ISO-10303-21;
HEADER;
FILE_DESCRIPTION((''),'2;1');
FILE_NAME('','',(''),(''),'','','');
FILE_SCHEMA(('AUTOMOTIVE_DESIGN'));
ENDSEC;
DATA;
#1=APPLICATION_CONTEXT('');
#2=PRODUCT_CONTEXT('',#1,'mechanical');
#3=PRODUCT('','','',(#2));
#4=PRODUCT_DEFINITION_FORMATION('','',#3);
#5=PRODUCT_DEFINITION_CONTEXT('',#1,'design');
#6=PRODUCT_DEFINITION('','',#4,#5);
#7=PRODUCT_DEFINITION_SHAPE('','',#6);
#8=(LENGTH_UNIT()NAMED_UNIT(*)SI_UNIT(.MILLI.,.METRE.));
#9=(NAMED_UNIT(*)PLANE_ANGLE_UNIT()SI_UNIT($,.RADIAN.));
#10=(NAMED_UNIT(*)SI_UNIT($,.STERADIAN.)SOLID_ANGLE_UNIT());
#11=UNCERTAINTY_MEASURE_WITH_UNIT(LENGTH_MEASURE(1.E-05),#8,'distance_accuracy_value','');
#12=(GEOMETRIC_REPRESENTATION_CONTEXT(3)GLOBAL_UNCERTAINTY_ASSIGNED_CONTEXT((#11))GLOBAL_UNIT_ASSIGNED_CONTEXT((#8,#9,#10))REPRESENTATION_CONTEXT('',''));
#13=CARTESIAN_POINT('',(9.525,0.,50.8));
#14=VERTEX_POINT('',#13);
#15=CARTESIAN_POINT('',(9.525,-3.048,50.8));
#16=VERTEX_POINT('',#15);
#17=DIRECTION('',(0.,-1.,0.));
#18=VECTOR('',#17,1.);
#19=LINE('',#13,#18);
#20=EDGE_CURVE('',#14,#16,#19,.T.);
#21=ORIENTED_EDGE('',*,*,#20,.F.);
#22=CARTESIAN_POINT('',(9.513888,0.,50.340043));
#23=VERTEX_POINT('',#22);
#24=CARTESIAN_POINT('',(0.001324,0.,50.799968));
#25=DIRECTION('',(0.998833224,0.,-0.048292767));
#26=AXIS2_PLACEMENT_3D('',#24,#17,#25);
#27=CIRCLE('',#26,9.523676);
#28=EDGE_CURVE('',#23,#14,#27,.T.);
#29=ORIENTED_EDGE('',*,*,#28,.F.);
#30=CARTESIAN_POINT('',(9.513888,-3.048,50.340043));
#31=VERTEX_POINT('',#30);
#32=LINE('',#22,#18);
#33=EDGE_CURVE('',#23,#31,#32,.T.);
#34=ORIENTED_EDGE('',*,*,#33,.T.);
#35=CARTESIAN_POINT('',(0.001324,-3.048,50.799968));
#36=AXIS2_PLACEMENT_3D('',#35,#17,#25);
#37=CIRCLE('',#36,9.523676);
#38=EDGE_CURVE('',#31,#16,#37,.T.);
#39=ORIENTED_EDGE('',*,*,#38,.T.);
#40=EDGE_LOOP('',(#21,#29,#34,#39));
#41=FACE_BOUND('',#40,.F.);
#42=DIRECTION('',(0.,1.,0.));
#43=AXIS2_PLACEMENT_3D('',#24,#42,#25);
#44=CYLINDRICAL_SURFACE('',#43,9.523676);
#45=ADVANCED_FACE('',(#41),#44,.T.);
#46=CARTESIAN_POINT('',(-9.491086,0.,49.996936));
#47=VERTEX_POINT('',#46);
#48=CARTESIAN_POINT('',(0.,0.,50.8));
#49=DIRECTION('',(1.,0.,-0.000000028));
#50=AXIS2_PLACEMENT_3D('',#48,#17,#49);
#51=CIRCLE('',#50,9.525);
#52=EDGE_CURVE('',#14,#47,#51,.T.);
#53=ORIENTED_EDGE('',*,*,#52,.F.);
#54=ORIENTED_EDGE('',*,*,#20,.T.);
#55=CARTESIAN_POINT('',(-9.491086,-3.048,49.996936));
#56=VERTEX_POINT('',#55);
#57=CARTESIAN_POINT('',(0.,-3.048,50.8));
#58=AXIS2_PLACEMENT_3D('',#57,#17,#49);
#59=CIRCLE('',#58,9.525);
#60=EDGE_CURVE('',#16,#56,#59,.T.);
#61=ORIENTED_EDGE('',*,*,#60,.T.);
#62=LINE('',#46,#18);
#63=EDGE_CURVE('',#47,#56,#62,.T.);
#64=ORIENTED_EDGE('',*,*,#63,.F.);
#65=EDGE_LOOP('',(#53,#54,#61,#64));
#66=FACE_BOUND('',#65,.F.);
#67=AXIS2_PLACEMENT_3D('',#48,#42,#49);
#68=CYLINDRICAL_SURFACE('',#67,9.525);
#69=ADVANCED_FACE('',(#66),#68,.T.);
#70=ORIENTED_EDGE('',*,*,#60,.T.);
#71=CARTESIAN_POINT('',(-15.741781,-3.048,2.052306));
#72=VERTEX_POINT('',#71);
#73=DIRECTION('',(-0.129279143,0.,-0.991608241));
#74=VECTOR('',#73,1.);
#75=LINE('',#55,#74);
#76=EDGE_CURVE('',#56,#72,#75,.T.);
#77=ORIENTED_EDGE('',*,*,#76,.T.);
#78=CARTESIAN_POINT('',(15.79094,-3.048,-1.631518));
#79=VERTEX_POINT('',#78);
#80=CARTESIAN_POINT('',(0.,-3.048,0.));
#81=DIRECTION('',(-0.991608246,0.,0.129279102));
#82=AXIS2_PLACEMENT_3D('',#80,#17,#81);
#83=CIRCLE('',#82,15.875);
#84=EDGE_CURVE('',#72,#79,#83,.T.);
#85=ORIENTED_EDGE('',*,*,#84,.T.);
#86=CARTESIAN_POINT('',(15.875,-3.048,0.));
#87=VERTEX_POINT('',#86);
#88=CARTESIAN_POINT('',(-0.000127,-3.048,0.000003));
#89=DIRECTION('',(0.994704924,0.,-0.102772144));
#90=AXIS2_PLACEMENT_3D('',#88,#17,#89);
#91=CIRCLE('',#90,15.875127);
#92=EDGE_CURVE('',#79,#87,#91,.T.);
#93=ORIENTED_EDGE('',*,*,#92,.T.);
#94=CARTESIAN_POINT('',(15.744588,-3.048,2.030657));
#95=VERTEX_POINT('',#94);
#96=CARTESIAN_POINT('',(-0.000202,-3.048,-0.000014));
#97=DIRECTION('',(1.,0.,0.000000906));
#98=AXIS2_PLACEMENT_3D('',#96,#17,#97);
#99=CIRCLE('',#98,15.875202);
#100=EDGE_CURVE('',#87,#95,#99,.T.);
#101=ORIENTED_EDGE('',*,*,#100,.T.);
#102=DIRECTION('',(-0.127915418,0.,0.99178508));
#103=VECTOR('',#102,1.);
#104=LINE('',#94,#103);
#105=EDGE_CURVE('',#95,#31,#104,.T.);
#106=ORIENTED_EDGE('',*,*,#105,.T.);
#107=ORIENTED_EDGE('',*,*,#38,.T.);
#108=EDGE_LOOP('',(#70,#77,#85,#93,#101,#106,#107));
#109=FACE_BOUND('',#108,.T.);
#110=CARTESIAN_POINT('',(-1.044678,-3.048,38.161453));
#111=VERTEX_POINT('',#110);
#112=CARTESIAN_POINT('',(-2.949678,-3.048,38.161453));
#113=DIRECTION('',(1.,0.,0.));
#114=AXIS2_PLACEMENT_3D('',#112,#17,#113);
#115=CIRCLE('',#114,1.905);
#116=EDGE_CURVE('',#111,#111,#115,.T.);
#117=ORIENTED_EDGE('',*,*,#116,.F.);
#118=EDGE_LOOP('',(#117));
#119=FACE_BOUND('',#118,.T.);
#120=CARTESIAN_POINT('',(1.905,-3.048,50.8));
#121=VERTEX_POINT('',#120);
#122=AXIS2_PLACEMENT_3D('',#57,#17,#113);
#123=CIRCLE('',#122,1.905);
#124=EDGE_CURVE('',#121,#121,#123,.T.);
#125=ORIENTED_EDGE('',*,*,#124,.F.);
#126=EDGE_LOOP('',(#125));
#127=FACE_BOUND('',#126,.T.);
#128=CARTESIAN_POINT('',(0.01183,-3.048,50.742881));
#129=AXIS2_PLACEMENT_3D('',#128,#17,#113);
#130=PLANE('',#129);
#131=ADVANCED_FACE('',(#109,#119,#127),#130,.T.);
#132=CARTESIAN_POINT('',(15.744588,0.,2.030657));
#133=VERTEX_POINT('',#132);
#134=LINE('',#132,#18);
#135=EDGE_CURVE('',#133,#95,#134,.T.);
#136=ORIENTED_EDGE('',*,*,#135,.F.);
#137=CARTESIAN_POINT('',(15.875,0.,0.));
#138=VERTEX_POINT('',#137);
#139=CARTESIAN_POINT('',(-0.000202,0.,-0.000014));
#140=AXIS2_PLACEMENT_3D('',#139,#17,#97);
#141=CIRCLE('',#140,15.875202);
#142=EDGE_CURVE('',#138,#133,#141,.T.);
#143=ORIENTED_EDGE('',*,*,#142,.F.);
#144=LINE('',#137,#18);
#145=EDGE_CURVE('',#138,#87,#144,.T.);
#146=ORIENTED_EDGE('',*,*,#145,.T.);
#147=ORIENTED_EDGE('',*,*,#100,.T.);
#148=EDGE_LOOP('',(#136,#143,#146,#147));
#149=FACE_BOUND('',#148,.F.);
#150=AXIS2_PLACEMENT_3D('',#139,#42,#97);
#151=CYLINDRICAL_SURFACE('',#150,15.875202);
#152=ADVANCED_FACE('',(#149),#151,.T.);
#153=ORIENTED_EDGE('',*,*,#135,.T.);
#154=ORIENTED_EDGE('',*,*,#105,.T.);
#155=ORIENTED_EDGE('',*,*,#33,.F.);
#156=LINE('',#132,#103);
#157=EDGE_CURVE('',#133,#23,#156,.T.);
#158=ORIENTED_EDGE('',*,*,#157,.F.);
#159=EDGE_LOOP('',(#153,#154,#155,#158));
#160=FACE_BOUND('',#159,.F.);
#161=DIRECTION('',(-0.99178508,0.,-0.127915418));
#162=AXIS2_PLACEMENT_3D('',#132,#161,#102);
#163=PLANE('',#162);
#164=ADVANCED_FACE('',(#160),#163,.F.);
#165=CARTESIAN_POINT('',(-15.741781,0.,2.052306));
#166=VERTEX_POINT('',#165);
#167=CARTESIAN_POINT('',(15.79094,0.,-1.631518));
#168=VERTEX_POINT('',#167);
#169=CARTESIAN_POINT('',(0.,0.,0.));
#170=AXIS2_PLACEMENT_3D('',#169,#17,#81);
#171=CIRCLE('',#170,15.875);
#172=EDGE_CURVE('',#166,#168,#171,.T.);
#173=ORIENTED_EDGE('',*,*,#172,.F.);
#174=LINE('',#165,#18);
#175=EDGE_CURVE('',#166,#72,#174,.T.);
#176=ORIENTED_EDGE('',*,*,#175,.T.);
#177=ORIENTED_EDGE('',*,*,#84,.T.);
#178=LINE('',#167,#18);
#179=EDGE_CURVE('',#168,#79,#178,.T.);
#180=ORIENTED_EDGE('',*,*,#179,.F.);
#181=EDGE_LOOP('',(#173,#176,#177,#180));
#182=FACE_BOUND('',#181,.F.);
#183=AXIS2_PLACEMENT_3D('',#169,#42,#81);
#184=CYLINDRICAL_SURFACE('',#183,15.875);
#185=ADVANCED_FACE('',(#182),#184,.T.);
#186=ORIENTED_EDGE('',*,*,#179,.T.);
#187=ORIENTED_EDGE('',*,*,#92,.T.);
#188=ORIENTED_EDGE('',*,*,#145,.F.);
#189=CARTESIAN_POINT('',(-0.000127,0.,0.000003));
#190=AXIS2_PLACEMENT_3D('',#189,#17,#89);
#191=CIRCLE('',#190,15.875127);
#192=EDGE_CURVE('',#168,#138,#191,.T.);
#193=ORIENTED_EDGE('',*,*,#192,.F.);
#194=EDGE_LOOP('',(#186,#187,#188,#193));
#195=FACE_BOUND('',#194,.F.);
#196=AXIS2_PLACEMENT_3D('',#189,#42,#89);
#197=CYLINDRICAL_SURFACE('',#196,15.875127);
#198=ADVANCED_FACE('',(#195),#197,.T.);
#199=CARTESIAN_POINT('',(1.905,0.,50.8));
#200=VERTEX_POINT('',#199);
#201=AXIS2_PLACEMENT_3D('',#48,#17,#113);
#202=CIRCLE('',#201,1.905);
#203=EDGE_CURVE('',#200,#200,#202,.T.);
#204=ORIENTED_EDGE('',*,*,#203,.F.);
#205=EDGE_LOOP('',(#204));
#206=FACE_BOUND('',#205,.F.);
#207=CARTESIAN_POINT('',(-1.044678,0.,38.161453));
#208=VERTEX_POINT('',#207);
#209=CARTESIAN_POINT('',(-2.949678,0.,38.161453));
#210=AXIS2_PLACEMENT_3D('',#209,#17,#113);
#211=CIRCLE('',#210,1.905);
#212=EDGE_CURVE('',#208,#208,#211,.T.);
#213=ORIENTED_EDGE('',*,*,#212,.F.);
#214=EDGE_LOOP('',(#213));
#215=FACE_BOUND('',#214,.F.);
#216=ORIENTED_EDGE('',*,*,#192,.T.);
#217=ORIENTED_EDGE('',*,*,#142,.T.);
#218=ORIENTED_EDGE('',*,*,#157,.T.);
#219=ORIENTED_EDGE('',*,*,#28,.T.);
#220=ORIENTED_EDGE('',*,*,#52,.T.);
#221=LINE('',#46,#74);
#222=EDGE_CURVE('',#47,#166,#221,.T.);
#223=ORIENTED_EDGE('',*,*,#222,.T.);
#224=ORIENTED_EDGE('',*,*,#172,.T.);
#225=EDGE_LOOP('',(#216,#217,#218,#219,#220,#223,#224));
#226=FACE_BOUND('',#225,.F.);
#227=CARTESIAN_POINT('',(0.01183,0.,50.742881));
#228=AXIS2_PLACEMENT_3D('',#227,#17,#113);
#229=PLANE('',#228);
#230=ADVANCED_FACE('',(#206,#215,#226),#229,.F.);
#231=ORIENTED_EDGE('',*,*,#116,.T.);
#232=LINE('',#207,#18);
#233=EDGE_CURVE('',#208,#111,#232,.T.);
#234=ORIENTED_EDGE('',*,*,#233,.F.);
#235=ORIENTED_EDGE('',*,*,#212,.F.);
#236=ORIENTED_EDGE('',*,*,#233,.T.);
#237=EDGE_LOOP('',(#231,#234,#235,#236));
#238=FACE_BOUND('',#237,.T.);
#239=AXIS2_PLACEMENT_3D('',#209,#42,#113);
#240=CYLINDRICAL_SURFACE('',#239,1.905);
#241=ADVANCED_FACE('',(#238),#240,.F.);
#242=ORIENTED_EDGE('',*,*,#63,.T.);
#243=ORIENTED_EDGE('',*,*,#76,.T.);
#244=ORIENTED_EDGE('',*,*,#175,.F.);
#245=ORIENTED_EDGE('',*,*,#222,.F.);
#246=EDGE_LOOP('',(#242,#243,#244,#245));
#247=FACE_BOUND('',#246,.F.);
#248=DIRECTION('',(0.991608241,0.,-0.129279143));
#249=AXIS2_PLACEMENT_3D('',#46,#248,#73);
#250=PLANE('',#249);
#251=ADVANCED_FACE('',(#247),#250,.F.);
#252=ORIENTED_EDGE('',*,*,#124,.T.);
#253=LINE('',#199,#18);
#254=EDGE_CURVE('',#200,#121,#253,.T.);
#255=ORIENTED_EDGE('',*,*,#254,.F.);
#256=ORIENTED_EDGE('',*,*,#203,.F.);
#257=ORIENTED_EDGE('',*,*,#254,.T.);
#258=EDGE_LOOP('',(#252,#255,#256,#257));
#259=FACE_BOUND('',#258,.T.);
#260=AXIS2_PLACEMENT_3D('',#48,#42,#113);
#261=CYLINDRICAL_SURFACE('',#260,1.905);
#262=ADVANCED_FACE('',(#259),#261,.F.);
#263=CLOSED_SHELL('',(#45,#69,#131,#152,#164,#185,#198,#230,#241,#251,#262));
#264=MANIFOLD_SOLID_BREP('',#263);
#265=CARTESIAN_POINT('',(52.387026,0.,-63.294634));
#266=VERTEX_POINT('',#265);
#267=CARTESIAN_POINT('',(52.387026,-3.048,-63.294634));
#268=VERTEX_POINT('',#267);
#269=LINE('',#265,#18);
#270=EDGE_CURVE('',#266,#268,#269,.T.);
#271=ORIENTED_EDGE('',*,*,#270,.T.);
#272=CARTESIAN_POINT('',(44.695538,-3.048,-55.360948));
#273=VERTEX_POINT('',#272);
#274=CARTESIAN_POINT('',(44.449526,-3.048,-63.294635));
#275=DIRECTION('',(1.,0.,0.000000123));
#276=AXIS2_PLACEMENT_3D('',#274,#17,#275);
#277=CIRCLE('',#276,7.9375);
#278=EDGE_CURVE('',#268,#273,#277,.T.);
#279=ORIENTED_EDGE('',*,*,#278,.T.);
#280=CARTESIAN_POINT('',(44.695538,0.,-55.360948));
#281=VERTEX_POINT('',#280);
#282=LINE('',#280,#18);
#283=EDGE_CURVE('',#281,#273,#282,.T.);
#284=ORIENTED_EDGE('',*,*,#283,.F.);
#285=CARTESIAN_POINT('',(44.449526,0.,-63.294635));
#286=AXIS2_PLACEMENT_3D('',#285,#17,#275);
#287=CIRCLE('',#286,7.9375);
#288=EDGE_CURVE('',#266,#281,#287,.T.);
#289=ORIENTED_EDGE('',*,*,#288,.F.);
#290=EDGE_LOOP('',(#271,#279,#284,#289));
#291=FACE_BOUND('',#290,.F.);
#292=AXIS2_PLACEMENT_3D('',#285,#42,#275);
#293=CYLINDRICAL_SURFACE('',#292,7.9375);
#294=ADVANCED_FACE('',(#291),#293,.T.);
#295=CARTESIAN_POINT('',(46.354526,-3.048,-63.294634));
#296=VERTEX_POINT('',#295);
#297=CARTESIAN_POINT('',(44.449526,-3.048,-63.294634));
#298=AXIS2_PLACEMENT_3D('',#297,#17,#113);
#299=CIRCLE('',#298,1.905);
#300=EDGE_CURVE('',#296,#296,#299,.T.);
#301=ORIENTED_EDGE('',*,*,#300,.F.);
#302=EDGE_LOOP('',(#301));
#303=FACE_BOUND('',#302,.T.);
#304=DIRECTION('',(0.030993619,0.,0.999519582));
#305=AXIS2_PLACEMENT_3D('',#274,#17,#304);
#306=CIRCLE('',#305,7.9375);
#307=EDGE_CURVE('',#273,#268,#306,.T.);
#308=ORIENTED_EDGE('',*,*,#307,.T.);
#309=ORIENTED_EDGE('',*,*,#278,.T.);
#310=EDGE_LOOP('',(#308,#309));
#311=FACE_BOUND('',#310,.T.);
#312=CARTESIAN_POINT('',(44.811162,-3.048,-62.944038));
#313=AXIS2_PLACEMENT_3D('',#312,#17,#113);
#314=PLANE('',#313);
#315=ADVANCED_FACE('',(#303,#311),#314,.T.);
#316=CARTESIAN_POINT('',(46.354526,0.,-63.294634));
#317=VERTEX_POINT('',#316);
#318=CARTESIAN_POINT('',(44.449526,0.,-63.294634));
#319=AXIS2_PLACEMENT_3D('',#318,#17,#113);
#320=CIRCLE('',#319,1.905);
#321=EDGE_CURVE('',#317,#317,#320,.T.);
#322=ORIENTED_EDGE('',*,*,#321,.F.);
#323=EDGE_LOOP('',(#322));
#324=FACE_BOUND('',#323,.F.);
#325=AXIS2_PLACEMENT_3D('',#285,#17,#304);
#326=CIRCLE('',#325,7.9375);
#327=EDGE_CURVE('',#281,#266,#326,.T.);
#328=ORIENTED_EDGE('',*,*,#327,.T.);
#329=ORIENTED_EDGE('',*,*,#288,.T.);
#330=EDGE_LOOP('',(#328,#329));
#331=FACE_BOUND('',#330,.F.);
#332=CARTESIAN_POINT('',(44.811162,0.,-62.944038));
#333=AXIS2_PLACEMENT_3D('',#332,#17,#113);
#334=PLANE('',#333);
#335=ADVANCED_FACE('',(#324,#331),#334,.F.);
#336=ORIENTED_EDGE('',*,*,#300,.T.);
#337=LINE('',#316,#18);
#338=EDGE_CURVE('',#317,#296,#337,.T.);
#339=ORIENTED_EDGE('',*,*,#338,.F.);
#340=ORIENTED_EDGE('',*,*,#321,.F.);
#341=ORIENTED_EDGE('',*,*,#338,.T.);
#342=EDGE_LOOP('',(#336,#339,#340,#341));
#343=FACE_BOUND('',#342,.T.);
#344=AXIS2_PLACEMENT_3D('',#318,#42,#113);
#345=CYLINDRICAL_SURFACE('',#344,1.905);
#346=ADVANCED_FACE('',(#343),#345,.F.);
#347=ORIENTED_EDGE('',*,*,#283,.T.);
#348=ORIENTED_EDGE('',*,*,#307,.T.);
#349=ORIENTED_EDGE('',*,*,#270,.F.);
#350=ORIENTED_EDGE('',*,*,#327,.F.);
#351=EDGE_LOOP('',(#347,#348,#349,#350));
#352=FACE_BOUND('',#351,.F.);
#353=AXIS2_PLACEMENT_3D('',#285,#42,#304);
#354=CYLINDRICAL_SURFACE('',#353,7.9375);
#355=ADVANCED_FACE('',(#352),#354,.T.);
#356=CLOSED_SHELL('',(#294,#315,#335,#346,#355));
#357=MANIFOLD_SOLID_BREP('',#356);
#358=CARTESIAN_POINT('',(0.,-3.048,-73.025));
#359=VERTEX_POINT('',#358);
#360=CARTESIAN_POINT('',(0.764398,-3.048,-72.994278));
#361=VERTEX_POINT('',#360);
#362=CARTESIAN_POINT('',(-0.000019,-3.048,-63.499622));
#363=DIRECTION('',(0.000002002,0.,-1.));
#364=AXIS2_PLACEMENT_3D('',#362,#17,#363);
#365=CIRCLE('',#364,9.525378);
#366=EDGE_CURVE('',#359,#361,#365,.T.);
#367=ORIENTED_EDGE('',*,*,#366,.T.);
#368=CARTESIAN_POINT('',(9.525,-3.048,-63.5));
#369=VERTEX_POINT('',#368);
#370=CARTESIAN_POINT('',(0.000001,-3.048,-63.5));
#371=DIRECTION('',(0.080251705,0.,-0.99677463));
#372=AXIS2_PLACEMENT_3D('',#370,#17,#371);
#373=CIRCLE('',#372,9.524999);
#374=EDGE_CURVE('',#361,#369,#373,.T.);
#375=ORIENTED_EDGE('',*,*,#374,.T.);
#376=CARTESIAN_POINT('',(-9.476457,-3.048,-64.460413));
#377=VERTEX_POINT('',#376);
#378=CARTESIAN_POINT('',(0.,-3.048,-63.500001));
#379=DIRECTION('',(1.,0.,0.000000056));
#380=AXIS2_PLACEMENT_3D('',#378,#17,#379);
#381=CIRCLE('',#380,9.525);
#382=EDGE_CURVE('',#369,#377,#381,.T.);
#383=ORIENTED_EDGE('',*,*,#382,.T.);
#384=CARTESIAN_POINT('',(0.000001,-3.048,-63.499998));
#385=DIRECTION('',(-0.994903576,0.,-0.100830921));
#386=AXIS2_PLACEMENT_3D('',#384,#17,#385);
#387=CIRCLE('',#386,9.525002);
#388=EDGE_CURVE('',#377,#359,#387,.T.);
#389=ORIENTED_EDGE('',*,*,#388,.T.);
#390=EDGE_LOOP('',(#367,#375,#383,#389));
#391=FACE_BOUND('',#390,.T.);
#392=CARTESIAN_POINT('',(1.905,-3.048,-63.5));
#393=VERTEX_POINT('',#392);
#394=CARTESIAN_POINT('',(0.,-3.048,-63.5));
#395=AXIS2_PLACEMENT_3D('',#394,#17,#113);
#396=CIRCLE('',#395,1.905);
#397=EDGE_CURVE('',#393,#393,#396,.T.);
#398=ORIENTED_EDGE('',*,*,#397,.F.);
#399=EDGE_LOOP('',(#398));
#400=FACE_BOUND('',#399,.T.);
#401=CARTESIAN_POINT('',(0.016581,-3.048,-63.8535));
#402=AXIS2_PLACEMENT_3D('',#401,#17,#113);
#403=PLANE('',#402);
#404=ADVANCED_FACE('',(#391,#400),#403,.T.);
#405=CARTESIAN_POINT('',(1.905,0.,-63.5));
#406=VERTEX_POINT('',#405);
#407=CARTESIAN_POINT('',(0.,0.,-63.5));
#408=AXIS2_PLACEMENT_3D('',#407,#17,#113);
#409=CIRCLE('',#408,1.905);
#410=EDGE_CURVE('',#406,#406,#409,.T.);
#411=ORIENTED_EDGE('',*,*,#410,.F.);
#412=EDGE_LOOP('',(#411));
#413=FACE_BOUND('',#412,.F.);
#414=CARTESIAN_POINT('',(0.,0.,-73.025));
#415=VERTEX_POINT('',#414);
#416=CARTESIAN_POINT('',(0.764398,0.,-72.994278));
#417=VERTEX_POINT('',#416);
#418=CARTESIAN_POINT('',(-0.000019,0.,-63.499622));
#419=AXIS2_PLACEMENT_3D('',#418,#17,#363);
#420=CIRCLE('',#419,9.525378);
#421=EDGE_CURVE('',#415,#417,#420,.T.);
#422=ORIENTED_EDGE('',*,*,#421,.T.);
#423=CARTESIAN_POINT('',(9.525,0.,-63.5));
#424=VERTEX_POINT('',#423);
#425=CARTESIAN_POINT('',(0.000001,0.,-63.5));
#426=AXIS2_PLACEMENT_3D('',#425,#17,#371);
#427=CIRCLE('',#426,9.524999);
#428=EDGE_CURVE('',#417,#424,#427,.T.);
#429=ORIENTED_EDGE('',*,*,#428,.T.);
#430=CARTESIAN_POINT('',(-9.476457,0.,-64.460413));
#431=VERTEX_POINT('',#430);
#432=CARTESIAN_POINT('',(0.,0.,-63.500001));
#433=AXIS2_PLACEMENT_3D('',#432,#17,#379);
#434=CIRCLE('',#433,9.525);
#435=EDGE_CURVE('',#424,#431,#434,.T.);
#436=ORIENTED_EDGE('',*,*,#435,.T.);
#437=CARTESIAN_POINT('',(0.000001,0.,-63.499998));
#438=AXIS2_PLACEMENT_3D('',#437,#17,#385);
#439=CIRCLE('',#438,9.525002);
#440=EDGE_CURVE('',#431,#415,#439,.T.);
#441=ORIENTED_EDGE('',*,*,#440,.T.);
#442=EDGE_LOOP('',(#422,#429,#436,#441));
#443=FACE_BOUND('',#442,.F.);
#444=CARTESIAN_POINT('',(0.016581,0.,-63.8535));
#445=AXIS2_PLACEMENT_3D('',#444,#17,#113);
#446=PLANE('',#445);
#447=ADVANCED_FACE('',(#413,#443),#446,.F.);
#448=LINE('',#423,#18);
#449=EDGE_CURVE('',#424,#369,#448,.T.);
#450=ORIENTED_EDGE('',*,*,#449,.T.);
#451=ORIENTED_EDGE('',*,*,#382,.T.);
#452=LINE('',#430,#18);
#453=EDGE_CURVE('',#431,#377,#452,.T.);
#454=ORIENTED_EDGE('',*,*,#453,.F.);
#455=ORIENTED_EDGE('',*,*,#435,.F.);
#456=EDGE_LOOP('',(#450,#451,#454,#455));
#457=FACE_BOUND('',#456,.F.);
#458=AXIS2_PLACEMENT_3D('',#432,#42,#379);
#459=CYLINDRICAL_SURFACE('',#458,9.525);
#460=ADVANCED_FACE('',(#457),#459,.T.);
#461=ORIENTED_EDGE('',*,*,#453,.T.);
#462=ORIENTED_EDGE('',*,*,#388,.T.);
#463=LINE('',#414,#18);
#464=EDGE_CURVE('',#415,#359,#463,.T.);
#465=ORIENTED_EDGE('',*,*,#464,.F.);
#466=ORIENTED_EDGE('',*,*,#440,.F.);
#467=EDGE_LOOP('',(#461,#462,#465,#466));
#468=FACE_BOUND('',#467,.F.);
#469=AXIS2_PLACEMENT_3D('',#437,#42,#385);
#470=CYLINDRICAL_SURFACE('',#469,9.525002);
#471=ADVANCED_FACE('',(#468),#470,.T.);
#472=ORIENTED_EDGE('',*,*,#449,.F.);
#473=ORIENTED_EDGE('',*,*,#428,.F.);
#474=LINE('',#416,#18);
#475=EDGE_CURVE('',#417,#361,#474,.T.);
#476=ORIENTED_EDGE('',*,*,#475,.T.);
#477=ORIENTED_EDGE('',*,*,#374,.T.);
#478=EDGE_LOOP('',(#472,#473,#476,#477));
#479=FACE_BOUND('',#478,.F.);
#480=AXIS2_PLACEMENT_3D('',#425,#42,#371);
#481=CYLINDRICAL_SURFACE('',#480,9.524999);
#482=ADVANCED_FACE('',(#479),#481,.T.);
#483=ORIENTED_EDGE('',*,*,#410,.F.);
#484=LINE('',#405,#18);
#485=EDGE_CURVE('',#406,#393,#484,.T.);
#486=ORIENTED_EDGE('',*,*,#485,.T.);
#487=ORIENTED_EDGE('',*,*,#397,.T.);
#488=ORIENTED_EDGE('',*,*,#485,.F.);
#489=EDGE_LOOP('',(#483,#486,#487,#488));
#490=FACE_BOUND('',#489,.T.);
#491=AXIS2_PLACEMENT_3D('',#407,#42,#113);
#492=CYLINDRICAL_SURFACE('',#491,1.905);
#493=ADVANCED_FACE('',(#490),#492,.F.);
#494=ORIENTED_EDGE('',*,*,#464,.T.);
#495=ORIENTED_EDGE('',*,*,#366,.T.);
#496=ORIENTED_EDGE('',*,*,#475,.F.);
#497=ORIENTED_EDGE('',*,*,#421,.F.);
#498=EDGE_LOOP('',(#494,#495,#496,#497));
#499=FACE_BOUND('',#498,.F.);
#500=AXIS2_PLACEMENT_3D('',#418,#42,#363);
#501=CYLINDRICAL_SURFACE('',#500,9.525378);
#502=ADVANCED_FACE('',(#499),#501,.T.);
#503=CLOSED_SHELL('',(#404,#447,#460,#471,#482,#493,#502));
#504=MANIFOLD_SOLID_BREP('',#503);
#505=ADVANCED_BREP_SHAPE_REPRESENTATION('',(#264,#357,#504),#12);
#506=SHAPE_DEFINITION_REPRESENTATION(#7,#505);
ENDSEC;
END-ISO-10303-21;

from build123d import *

# Parameters (mm, degrees)
F0_R     = 1.905
F1_DEPTH = 3.048


with BuildPart() as f1:
    # F0 (on Front) → F1 (new body)
    with BuildSketch(Plane.XZ):
        with BuildLine():
            ThreePointArc((9.513888, 50.340043), (9.522222, 50.569955), (9.525, 50.8))
            ThreePointArc((9.525, 50.8), (-0.40189, 60.316518), (-9.491086, 49.996936))
            ThreePointArc((-9.491086, 49.996936), (0.171932, 41.276552), (9.513888, 50.340043))
        make_face()
        with Locations((0, 50.8)):
            Circle(F0_R, mode=Mode.SUBTRACT)
        with BuildLine():
            ThreePointArc((52.387026, -63.294634), (50.148501, -57.769638), (44.695538, -55.360948))
            ThreePointArc((44.695538, -55.360948), (38.750551, -68.819631), (52.387026, -63.294634))
        make_face()
        with Locations((44.449526, -63.294634)):
            Circle(F0_R, mode=Mode.SUBTRACT)
        with BuildLine():
            ThreePointArc((9.525, -63.5), (-0.48082, -53.987144), (-9.476457, -64.460413))
            ThreePointArc((-9.476457, -64.460413), (-6.386614, -70.566596), (0, -73.025))
            Line((0, -73.025), (0.764398, -72.994278))
            ThreePointArc((0.764398, -72.994278), (7.000233, -69.959285), (9.525, -63.5))
        make_face()
        with Locations((0, -63.5)):
            Circle(F0_R, mode=Mode.SUBTRACT)
        with BuildLine():
            ThreePointArc((9.513888, 50.340043), (0.171932, 41.276552), (-9.491086, 49.996936))
            Line((-9.491086, 49.996936), (-15.741781, 2.052306))
            ThreePointArc((-15.741781, 2.052306), (0.010915, 15.874996), (15.744588, 2.030657))
            Line((15.744588, 2.030657), (9.513888, 50.340043))
        make_face()
        with Locations((-2.949678, 38.161453)):
            Circle(F0_R, mode=Mode.SUBTRACT)
        with BuildLine():
            ThreePointArc((15.744588, 2.030657), (0.010915, 15.874996), (-15.741781, 2.052306))
            ThreePointArc((-15.741781, 2.052306), (-1.842076, -15.767764), (15.79094, -1.631518))
            ThreePointArc((15.79094, -1.631518), (15.853971, -0.816841), (15.875, 0))
            ThreePointArc((15.875, 0), (15.842363, 1.01742), (15.744588, 2.030657))
        make_face()
        with BuildLine():
            Line((0.764398, -72.994278), (0, -73.025))
            ThreePointArc((0, -73.025), (0.382508, -73.017316), (0.764398, -72.994278))
        make_face()
    extrude(amount=F1_DEPTH)


solid = f1.part
